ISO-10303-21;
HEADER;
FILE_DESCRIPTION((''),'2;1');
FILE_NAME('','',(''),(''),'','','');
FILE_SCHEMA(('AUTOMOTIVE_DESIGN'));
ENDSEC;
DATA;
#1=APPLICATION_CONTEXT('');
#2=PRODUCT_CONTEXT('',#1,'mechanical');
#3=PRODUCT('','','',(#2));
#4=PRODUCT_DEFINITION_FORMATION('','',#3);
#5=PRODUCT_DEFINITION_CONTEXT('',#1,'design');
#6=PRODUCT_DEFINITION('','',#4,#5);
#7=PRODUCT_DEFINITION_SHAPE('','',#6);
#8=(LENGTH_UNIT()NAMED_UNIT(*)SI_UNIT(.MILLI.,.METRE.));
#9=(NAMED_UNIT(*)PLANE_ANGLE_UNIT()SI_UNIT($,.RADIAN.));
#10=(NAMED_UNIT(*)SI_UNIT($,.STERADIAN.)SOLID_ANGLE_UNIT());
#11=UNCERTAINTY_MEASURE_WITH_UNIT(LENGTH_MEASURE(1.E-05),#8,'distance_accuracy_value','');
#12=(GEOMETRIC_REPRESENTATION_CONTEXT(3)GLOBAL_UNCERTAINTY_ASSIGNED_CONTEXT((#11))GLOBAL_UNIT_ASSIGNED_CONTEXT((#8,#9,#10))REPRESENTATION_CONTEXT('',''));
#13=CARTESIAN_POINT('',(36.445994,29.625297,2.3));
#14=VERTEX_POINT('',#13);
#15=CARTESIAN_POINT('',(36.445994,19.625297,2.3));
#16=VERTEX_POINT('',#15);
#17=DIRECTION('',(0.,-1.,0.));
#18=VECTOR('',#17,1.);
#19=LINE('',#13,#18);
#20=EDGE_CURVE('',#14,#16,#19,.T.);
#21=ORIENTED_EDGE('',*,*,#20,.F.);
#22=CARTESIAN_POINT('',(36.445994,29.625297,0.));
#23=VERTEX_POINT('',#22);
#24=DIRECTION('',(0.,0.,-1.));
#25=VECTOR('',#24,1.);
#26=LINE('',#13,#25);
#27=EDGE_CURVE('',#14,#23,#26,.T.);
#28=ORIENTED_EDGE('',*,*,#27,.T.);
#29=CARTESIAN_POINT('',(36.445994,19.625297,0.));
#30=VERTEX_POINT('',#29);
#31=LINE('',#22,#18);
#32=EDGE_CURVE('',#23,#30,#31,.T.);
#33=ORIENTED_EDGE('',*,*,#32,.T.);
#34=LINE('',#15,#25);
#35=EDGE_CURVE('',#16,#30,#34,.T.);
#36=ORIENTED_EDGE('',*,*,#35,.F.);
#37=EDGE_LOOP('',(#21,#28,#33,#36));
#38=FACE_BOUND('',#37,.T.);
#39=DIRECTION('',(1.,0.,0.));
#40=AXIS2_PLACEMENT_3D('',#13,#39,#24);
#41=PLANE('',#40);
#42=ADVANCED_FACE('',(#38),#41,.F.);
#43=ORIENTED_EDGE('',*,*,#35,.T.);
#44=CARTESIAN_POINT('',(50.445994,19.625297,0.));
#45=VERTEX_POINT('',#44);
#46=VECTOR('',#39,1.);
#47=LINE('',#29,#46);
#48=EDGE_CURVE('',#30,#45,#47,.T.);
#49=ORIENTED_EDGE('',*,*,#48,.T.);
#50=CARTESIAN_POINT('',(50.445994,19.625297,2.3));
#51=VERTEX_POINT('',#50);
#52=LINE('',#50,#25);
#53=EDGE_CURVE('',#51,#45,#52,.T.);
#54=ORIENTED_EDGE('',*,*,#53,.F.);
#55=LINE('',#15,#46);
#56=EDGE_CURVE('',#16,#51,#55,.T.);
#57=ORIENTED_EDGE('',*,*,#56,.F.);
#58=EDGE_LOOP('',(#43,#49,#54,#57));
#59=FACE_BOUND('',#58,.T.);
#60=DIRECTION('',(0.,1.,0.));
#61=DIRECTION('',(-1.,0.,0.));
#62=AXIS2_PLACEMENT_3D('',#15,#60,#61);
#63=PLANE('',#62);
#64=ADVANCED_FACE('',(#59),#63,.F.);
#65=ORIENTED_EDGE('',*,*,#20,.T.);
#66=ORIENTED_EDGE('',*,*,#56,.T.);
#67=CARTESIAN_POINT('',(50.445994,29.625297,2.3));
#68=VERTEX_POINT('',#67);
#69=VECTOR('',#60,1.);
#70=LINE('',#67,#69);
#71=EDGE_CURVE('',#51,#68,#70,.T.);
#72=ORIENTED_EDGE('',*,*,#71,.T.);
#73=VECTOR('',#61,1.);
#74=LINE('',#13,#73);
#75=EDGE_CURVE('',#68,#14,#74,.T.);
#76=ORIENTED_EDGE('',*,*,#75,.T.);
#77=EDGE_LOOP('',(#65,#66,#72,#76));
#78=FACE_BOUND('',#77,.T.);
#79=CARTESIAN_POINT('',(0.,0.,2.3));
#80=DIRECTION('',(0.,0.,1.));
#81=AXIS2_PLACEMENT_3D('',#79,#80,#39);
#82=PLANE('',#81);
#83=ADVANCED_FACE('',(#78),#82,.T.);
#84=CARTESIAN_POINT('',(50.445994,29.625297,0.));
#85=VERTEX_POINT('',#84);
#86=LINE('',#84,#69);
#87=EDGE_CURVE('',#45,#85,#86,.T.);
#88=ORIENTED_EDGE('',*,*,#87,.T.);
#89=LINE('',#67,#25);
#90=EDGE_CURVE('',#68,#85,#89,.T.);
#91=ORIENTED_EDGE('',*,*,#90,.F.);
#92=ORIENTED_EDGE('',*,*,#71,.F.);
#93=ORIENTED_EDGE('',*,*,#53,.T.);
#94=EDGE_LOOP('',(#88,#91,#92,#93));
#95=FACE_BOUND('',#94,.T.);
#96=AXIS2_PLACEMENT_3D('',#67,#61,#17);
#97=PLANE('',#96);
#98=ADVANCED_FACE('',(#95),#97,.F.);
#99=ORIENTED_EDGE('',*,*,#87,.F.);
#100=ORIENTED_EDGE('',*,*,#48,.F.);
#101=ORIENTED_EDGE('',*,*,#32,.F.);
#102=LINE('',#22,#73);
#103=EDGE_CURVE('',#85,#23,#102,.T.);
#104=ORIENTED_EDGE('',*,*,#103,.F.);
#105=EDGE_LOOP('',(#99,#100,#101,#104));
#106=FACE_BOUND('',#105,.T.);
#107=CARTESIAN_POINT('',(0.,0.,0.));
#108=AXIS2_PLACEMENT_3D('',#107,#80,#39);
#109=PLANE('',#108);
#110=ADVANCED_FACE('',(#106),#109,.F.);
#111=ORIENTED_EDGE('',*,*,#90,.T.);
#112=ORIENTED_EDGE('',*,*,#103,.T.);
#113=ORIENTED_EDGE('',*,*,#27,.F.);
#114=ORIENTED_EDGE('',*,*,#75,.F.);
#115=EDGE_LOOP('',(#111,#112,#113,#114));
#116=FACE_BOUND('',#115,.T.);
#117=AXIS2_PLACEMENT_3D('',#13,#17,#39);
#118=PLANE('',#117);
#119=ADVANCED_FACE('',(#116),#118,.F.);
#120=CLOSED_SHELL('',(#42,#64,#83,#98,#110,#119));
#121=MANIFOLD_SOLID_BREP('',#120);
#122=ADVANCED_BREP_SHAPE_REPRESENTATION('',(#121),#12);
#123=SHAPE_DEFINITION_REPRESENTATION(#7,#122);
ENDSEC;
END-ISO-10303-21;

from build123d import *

# Parameters (mm, degrees)
SKETCH_1_W      = 14
SKETCH_1_H      = 10
EXTRUDE_1_DEPTH = 2.3


with BuildPart() as part:
    # 草图1 → 凸台-拉伸1 (new body)
    with BuildSketch(Plane.XY):
        with Locations((43.445993577, 24.625296734)):
            Rectangle(SKETCH_1_W, SKETCH_1_H)
    extrude(amount=EXTRUDE_1_DEPTH)


solid = part.part
